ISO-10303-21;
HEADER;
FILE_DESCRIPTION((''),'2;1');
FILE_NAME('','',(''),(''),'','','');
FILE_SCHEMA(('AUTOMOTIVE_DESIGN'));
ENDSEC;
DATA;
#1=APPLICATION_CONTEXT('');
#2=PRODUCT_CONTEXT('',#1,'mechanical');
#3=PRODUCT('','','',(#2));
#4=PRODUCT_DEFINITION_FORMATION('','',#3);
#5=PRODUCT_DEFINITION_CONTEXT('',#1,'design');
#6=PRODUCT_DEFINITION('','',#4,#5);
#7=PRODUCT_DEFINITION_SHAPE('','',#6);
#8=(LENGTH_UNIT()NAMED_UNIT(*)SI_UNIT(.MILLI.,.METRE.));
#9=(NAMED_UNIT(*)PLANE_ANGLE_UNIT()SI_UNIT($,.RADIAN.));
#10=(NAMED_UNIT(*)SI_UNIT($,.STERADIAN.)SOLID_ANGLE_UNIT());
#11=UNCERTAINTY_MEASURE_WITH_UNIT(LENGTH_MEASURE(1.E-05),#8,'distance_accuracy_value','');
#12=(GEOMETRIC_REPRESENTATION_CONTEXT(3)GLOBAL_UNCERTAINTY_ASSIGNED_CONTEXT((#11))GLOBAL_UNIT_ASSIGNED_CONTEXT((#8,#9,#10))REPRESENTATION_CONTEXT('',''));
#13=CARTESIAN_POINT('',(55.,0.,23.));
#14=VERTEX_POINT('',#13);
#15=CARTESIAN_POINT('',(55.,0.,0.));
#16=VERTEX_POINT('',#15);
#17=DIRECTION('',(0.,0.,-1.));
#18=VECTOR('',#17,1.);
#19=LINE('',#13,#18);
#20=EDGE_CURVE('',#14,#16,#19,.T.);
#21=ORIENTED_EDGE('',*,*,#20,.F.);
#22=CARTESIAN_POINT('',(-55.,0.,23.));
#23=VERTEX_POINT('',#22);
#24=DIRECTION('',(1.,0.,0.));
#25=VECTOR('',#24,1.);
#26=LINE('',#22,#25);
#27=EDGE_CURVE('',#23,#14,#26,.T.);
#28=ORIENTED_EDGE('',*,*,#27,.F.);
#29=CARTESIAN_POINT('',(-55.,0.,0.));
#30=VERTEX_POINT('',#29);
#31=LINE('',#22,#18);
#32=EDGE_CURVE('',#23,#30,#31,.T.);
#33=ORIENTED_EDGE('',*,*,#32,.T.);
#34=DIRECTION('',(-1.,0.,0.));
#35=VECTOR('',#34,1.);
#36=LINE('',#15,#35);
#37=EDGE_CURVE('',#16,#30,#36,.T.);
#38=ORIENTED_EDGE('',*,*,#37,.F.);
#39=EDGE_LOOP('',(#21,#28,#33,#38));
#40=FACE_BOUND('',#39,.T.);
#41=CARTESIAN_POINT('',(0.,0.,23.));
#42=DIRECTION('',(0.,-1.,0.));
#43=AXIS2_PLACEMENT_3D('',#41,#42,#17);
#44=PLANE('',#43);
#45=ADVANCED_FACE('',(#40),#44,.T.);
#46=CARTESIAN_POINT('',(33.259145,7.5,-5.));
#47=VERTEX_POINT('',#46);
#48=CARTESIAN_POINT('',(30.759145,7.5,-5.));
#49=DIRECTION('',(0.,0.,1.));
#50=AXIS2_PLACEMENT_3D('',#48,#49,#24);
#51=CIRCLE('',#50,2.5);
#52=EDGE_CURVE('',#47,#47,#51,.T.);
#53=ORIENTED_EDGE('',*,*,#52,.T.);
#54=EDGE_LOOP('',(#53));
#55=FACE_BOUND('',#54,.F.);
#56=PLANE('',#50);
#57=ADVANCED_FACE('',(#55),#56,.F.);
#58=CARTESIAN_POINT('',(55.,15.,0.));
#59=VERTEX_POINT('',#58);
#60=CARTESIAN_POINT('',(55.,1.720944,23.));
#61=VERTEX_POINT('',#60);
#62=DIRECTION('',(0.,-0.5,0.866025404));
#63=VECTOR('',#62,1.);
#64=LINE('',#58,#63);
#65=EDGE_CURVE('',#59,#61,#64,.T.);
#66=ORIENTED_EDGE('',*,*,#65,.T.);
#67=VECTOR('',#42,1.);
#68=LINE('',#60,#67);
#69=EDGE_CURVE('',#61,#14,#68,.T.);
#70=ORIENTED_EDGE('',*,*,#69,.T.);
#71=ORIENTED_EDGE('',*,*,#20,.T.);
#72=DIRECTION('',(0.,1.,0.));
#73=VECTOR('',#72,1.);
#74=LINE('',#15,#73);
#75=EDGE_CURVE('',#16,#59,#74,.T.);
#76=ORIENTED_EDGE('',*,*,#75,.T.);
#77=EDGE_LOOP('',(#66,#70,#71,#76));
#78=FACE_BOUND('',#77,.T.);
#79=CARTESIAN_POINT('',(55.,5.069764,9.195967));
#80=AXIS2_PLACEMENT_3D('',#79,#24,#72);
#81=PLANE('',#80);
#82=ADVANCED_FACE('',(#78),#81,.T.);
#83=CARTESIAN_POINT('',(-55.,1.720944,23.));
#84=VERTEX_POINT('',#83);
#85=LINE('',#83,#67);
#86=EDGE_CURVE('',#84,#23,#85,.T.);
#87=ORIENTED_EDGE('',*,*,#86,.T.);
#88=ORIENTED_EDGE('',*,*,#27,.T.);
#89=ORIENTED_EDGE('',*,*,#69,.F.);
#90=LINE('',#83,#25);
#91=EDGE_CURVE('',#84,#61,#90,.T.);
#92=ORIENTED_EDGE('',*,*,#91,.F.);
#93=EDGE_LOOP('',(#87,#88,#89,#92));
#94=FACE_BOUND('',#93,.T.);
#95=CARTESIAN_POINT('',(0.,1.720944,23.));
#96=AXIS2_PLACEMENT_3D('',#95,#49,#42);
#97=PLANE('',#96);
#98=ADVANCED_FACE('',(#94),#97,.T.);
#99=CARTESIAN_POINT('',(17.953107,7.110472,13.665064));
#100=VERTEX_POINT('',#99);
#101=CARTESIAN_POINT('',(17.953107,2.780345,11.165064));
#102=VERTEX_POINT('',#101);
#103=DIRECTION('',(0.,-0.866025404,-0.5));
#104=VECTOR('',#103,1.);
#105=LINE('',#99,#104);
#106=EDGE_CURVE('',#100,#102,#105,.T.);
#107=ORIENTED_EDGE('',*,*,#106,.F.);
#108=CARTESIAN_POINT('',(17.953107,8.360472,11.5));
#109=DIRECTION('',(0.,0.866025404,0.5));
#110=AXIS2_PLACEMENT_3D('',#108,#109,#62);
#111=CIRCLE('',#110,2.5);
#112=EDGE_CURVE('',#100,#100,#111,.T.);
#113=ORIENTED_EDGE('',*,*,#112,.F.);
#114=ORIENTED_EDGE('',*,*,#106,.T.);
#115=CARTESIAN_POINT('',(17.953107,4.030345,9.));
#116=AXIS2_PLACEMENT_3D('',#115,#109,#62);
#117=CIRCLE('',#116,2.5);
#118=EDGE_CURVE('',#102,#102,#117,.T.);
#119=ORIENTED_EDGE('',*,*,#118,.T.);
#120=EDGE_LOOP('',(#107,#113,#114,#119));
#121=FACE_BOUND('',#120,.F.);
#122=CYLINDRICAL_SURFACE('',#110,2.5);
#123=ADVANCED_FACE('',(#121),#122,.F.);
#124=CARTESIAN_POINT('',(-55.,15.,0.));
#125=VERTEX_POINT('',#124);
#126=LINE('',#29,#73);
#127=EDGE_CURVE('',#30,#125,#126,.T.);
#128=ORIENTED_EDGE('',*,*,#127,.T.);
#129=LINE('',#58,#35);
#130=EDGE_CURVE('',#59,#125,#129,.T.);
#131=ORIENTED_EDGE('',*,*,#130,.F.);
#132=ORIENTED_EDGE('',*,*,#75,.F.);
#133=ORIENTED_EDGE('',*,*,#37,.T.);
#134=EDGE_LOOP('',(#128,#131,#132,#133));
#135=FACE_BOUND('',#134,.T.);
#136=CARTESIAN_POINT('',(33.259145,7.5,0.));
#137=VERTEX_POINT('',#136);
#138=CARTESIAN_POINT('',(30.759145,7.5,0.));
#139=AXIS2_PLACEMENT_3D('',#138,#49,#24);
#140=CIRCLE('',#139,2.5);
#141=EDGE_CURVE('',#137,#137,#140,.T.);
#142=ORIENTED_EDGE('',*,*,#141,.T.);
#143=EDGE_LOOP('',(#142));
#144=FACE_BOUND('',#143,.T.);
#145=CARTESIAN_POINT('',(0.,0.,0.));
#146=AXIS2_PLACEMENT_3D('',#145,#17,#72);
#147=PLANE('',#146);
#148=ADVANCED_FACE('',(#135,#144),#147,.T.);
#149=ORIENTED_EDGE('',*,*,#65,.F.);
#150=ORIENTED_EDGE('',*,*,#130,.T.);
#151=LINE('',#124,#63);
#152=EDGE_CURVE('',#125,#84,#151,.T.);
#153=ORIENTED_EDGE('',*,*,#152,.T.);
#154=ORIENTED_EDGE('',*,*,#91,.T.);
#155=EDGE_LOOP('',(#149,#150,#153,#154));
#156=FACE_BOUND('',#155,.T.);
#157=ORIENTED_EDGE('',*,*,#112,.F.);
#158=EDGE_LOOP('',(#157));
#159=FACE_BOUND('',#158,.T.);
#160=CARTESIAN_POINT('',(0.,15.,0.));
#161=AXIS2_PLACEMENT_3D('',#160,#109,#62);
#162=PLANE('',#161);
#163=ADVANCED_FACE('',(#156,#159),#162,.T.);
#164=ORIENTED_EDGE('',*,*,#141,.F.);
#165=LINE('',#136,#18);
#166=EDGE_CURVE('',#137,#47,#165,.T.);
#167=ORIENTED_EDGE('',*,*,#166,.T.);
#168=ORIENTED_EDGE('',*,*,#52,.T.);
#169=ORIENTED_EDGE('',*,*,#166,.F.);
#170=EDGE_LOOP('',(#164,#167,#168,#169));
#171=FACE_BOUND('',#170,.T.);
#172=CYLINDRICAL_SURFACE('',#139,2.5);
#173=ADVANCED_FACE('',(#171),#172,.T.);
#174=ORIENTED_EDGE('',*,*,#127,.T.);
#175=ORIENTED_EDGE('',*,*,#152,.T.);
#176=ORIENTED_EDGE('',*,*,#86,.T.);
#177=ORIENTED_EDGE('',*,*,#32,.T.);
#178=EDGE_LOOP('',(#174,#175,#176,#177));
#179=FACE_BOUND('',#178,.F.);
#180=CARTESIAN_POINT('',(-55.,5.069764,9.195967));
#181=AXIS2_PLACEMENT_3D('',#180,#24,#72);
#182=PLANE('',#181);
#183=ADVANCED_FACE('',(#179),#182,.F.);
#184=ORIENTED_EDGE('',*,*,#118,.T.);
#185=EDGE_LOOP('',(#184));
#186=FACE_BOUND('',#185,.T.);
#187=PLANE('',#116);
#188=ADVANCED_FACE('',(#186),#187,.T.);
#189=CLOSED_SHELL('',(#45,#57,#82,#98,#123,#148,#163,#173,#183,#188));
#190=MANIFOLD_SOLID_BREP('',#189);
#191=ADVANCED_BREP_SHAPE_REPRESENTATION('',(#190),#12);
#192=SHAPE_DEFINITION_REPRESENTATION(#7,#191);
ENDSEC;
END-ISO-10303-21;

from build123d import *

# Parameters (mm, degrees)
PAD_DEPTH    = 55
SKETCH001_R  = 2.5
PAD001_DEPTH = 5
SKETCH002_R  = 2.5
POCKET_DEPTH = 5


with BuildPart() as part:
    # Sketch → Pad (new body, symmetric)
    with BuildSketch(Plane.YZ):
        Polygon((0, 0), (-13.2790561914, 23), (-15, 23), (-15, 0), align=None)
    extrude(amount=PAD_DEPTH, both=True)

    # Sketch001 → Pad001 (join)
    with BuildSketch(Plane.XY):
        with Locations((30.7591449816, -7.5)):
            Circle(SKETCH001_R)
    extrude(amount=-PAD001_DEPTH)

    # Sketch002 (on Face1 of Pad001) → Pocket (cut)
    with BuildSketch(Plane(origin=(0, 0, 0), x_dir=(0, -0.5, 0.8660254038), z_dir=(0, 0.8660254038, 0.5))):
        with Locations((13.2790561914, 17.9531074876)):
            Circle(SKETCH002_R)
    extrude(amount=-POCKET_DEPTH, mode=Mode.SUBTRACT)


with BuildPart() as part_1:
    # Body placement: moved
    add(part.part.moved(Location((0, 15, 0))))


solid = part_1.part
